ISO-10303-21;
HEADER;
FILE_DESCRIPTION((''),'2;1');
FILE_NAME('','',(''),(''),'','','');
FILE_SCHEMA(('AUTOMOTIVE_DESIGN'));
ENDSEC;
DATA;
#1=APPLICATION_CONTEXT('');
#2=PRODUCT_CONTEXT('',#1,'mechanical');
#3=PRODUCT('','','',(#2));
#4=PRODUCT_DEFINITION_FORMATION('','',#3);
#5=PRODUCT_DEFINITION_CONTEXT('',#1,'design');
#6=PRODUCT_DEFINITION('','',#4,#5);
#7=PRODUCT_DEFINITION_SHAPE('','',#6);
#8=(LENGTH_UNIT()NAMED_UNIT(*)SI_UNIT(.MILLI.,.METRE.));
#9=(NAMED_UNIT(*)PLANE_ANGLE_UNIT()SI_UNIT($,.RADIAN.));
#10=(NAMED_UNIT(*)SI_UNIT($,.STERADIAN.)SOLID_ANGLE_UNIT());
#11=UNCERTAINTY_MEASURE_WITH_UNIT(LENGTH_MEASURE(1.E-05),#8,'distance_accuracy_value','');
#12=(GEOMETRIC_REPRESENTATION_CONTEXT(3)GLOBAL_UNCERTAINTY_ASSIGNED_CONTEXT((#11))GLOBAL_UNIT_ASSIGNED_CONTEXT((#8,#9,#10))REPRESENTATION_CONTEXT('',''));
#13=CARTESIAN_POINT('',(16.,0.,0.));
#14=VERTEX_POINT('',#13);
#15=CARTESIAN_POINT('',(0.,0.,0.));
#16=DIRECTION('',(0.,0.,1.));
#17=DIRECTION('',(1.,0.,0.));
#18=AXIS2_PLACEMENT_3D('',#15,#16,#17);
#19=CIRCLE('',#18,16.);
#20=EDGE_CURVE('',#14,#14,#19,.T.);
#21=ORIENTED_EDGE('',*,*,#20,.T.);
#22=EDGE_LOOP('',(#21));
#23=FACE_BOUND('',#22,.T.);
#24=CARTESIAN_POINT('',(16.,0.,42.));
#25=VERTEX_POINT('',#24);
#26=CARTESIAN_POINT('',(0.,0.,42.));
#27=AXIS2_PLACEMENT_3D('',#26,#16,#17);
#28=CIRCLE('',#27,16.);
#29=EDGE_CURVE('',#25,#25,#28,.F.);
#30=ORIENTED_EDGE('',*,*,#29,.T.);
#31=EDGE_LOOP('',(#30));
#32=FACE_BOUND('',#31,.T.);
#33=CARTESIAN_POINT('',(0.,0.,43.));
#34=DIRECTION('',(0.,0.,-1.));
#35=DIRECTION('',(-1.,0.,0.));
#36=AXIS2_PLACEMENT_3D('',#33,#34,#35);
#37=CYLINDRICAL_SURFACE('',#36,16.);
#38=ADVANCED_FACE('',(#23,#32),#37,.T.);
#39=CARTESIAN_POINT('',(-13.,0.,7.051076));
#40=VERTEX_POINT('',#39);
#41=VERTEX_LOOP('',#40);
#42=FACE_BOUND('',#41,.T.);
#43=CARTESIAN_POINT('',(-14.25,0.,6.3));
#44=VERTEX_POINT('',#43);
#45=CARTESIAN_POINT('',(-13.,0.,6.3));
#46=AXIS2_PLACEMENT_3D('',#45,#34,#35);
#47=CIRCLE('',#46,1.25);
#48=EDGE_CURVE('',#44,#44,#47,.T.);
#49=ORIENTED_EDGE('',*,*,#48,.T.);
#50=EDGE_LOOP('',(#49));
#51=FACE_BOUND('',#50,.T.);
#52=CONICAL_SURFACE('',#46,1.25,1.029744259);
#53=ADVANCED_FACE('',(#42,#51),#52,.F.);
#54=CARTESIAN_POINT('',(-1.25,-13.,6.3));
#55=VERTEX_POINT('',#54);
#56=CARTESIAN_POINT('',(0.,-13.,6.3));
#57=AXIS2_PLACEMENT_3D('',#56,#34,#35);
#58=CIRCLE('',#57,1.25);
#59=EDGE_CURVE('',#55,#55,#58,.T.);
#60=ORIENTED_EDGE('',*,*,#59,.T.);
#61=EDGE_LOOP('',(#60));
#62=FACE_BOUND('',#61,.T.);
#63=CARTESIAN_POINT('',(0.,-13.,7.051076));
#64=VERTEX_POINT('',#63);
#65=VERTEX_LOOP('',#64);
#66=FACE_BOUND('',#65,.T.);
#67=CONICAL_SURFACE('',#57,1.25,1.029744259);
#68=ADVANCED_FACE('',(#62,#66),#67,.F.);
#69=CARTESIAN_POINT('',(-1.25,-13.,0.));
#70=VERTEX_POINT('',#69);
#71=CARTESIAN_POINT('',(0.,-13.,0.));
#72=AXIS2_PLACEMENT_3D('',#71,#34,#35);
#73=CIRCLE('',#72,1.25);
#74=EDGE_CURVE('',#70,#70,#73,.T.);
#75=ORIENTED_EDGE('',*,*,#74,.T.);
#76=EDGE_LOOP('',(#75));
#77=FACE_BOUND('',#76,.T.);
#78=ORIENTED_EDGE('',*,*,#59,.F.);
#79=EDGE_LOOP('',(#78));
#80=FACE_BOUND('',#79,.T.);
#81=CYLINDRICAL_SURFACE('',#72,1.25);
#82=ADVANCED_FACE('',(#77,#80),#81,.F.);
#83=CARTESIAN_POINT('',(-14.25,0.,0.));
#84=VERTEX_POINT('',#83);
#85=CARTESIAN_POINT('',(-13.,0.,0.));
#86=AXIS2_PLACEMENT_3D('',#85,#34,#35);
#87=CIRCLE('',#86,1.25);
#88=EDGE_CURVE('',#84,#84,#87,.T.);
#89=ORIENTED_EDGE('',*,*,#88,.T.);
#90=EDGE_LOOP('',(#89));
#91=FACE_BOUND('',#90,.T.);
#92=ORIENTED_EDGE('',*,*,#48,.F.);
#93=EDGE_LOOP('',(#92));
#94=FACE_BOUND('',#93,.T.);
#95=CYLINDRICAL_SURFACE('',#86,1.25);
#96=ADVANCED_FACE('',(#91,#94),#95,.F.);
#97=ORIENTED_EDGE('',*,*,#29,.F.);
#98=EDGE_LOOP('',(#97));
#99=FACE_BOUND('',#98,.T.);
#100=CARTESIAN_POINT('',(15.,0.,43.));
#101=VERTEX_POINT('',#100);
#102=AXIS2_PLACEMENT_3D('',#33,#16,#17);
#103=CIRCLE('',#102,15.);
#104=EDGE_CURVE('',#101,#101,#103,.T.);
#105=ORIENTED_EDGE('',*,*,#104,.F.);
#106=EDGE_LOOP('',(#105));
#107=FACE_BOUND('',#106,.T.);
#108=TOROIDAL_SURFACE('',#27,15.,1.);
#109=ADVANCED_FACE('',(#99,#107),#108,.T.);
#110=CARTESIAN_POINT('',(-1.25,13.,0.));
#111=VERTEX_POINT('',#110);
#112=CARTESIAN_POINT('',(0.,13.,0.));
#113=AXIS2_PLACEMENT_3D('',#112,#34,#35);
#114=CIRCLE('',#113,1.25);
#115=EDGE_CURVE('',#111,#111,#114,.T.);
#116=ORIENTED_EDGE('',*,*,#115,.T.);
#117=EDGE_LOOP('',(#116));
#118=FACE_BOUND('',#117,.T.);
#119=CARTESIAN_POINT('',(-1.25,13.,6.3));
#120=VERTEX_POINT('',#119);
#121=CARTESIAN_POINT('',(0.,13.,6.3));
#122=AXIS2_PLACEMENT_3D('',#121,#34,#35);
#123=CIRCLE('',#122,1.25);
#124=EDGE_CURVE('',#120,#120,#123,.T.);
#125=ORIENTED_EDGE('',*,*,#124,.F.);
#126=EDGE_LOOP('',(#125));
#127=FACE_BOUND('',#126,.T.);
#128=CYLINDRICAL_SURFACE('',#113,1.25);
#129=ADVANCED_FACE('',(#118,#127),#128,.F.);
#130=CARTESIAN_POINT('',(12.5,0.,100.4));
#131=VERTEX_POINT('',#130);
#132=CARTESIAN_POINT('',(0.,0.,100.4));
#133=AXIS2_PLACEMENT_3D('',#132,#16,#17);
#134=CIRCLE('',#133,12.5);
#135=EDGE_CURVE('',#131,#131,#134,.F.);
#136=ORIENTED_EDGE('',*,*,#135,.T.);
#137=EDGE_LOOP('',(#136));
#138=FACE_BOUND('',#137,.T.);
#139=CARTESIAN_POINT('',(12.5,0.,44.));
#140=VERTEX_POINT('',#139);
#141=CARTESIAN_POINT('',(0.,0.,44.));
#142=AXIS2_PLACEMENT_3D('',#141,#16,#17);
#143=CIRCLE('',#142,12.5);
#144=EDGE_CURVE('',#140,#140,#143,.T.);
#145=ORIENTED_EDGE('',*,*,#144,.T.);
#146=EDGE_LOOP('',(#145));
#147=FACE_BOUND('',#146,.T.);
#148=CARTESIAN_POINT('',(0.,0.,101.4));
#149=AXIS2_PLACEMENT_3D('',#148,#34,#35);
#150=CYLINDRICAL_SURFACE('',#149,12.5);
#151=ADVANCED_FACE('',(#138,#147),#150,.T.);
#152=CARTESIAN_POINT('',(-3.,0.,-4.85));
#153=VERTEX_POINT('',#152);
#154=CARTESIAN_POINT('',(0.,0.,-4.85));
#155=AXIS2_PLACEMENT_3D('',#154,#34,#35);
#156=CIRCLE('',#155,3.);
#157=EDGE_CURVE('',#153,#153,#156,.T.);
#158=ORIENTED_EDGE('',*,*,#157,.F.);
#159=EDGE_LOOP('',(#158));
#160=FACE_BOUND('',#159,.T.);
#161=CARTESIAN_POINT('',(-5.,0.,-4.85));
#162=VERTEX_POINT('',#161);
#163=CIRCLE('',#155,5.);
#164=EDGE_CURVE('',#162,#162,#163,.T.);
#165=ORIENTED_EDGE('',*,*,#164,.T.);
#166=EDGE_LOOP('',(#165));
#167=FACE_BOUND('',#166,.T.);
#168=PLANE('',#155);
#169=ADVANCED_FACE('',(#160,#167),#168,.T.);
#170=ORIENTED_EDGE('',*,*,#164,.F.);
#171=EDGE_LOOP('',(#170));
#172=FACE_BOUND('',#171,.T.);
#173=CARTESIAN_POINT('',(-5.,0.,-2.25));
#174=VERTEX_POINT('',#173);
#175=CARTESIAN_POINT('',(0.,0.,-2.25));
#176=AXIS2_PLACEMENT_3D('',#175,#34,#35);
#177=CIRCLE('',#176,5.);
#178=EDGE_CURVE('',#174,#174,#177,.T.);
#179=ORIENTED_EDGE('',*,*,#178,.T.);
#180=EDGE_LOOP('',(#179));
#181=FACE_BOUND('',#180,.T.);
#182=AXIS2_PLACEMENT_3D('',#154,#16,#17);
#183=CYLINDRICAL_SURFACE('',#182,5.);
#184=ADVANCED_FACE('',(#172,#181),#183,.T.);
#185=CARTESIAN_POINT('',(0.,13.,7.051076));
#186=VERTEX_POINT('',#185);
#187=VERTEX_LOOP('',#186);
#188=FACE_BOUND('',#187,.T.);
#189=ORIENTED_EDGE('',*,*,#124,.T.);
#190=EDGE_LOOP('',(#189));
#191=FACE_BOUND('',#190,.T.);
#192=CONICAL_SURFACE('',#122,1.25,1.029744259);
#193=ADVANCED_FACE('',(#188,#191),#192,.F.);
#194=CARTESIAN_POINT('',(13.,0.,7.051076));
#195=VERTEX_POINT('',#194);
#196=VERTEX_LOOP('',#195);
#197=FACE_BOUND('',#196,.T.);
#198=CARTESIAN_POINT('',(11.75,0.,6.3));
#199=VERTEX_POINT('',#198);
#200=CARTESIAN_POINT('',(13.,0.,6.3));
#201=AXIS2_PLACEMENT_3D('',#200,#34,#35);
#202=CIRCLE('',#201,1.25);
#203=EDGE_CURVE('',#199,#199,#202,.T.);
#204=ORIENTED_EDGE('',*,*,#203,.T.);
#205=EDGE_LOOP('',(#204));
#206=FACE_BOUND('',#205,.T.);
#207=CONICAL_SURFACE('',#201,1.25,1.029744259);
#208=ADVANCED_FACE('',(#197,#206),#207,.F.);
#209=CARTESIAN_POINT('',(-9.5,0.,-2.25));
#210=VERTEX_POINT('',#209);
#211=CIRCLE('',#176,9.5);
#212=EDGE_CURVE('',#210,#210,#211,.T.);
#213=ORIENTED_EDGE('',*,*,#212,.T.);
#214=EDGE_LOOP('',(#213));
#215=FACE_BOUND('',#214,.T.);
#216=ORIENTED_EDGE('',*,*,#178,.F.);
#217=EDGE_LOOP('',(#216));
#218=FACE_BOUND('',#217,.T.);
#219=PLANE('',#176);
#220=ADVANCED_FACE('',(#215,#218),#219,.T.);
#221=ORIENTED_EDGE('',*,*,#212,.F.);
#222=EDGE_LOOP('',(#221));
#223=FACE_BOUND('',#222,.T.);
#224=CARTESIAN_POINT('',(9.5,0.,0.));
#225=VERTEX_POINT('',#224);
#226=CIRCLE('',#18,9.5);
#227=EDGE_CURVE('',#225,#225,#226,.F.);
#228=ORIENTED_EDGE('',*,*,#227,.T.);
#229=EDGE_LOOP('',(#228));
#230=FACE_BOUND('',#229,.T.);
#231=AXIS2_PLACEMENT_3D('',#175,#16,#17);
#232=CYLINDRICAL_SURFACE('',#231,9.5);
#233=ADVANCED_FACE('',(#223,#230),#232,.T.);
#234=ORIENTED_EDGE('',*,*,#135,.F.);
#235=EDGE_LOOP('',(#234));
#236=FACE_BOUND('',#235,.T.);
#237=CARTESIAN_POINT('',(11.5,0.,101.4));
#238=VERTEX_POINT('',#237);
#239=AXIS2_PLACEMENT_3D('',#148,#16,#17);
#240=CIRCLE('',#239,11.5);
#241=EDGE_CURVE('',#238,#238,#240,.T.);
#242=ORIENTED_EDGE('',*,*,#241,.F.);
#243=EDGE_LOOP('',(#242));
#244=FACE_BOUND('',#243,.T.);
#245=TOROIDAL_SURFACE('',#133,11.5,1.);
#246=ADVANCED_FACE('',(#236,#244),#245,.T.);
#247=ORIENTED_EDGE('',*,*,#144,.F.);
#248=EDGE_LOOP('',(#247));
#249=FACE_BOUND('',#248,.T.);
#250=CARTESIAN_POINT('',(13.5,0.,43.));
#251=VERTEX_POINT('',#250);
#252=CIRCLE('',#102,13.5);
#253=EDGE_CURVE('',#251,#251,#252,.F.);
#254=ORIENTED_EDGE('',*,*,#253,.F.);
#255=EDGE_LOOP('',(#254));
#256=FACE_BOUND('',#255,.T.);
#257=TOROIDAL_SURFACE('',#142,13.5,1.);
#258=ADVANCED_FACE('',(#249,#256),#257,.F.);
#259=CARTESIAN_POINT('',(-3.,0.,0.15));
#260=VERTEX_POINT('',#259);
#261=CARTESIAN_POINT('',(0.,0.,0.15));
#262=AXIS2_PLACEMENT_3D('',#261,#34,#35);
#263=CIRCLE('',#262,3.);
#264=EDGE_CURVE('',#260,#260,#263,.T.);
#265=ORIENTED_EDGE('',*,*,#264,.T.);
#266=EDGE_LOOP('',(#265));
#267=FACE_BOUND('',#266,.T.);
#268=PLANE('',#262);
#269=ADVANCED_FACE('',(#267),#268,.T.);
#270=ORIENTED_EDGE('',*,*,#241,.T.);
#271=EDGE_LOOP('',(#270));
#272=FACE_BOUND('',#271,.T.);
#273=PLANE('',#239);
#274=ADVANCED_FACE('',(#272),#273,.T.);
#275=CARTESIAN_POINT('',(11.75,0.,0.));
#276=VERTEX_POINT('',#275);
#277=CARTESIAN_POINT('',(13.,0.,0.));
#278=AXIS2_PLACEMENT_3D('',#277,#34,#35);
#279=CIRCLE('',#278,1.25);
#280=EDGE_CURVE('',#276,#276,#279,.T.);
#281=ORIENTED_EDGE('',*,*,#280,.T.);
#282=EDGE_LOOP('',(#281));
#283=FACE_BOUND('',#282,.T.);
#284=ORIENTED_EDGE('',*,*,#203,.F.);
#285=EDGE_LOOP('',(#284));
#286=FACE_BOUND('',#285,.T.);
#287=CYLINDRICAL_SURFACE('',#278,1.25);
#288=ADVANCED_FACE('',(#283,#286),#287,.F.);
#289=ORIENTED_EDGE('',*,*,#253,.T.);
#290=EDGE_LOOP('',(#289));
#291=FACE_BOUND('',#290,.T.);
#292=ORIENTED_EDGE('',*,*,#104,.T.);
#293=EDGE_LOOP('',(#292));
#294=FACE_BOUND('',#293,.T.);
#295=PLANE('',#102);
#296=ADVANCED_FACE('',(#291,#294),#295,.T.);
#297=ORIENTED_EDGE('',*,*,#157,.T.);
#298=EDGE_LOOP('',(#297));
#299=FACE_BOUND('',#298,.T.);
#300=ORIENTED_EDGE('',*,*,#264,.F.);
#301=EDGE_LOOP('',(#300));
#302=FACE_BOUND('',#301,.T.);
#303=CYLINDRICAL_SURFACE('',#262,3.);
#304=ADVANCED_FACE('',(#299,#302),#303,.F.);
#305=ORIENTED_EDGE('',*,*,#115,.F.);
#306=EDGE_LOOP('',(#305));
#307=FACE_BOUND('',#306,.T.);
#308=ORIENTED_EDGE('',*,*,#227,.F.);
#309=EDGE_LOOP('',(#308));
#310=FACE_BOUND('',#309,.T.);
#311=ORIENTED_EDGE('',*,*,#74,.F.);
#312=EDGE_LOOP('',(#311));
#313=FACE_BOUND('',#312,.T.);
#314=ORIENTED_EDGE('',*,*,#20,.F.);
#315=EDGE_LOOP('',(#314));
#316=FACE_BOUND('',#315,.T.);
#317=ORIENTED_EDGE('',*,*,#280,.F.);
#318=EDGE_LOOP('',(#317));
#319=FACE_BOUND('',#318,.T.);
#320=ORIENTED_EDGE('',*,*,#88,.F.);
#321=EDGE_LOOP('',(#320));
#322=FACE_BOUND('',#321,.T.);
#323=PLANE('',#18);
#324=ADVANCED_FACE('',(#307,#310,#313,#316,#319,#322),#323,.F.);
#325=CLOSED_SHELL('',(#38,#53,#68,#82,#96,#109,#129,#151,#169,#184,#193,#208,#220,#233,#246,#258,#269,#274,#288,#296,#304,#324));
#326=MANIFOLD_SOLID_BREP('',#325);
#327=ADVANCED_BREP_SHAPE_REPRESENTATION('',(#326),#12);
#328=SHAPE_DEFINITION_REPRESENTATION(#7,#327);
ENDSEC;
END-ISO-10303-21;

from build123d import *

# Parameters (mm, degrees)
SKETCH1_R                 = 16
BOSS_EXTRUDE1_DEPTH       = 43
SKETCH2_R                 = 12.5
BOSS_EXTRUDE2_DEPTH       = 58.4
SKETCH3_R                 = 9.5
BOSS_EXTRUDE3_DEPTH       = 2.25
SKETCH4_R                 = 5
BOSS_EXTRUDE4_DEPTH       = 2.6
SKETCH5_R                 = 3
CUT_EXTRUDE1_DEPTH        = 5
FILLET1_R                 = 1
M3X0_5_TAPPED_HOLE1_D     = 2.5
M3X0_5_TAPPED_HOLE1_DEPTH = 6.3
M3X0_5_TAPPED_HOLE1_TIP   = 0.751075774


with BuildPart() as part:
    # Sketch1 → Boss-Extrude1 (new body)
    with BuildSketch(Plane.XY):
        Circle(SKETCH1_R)
    extrude(amount=BOSS_EXTRUDE1_DEPTH)

    # Sketch2 → Boss-Extrude2 (add)
    with BuildSketch(Plane.XY.offset(43)):
        Circle(SKETCH2_R)
    extrude(amount=BOSS_EXTRUDE2_DEPTH)

    # Sketch3 → Boss-Extrude3 (add)
    with BuildSketch(Plane(origin=(0, 0, 0), x_dir=(-1, 0, 0), z_dir=(0, 0, -1))):
        Circle(SKETCH3_R)
    extrude(amount=BOSS_EXTRUDE3_DEPTH)

    # Sketch4 → Boss-Extrude4 (add)
    with BuildSketch(Plane(origin=(0, 0, -2.25), x_dir=(-1, 0, 0), z_dir=(0, 0, -1))):
        Circle(SKETCH4_R)
    extrude(amount=BOSS_EXTRUDE4_DEPTH)

    # Sketch5 → Cut-Extrude1 (cut)
    with BuildSketch(Plane(origin=(0, 0, -4.85), x_dir=(-1, 0, 0), z_dir=(0, 0, -1))):
        Circle(SKETCH5_R)
    extrude(amount=-CUT_EXTRUDE1_DEPTH, mode=Mode.SUBTRACT)

    # Fillet1
    fillet1_edges = [part.edges().sort_by_distance(p)[0] for p in [
        (-16, 0, 43),
        (-12.5, 0, 43),
        (-12.5, 0, 101.4),
    ]]
    fillet(fillet1_edges, radius=FILLET1_R)

    # M3x0.5 Tapped Hole1
    with Locations(Plane(origin=(0, 0, 0), x_dir=(-1, 0, 0), z_dir=(0, 0, -1))):
        with Locations((0, 13), (-13, 0), (0, -13), (13, 0)):
            Hole(M3X0_5_TAPPED_HOLE1_D / 2, depth=M3X0_5_TAPPED_HOLE1_DEPTH)
            with Locations((0, 0, -(M3X0_5_TAPPED_HOLE1_DEPTH + M3X0_5_TAPPED_HOLE1_TIP / 2))):  # 118° drill point
                Cone(0, M3X0_5_TAPPED_HOLE1_D / 2, M3X0_5_TAPPED_HOLE1_TIP, mode=Mode.SUBTRACT)


solid = part.part
